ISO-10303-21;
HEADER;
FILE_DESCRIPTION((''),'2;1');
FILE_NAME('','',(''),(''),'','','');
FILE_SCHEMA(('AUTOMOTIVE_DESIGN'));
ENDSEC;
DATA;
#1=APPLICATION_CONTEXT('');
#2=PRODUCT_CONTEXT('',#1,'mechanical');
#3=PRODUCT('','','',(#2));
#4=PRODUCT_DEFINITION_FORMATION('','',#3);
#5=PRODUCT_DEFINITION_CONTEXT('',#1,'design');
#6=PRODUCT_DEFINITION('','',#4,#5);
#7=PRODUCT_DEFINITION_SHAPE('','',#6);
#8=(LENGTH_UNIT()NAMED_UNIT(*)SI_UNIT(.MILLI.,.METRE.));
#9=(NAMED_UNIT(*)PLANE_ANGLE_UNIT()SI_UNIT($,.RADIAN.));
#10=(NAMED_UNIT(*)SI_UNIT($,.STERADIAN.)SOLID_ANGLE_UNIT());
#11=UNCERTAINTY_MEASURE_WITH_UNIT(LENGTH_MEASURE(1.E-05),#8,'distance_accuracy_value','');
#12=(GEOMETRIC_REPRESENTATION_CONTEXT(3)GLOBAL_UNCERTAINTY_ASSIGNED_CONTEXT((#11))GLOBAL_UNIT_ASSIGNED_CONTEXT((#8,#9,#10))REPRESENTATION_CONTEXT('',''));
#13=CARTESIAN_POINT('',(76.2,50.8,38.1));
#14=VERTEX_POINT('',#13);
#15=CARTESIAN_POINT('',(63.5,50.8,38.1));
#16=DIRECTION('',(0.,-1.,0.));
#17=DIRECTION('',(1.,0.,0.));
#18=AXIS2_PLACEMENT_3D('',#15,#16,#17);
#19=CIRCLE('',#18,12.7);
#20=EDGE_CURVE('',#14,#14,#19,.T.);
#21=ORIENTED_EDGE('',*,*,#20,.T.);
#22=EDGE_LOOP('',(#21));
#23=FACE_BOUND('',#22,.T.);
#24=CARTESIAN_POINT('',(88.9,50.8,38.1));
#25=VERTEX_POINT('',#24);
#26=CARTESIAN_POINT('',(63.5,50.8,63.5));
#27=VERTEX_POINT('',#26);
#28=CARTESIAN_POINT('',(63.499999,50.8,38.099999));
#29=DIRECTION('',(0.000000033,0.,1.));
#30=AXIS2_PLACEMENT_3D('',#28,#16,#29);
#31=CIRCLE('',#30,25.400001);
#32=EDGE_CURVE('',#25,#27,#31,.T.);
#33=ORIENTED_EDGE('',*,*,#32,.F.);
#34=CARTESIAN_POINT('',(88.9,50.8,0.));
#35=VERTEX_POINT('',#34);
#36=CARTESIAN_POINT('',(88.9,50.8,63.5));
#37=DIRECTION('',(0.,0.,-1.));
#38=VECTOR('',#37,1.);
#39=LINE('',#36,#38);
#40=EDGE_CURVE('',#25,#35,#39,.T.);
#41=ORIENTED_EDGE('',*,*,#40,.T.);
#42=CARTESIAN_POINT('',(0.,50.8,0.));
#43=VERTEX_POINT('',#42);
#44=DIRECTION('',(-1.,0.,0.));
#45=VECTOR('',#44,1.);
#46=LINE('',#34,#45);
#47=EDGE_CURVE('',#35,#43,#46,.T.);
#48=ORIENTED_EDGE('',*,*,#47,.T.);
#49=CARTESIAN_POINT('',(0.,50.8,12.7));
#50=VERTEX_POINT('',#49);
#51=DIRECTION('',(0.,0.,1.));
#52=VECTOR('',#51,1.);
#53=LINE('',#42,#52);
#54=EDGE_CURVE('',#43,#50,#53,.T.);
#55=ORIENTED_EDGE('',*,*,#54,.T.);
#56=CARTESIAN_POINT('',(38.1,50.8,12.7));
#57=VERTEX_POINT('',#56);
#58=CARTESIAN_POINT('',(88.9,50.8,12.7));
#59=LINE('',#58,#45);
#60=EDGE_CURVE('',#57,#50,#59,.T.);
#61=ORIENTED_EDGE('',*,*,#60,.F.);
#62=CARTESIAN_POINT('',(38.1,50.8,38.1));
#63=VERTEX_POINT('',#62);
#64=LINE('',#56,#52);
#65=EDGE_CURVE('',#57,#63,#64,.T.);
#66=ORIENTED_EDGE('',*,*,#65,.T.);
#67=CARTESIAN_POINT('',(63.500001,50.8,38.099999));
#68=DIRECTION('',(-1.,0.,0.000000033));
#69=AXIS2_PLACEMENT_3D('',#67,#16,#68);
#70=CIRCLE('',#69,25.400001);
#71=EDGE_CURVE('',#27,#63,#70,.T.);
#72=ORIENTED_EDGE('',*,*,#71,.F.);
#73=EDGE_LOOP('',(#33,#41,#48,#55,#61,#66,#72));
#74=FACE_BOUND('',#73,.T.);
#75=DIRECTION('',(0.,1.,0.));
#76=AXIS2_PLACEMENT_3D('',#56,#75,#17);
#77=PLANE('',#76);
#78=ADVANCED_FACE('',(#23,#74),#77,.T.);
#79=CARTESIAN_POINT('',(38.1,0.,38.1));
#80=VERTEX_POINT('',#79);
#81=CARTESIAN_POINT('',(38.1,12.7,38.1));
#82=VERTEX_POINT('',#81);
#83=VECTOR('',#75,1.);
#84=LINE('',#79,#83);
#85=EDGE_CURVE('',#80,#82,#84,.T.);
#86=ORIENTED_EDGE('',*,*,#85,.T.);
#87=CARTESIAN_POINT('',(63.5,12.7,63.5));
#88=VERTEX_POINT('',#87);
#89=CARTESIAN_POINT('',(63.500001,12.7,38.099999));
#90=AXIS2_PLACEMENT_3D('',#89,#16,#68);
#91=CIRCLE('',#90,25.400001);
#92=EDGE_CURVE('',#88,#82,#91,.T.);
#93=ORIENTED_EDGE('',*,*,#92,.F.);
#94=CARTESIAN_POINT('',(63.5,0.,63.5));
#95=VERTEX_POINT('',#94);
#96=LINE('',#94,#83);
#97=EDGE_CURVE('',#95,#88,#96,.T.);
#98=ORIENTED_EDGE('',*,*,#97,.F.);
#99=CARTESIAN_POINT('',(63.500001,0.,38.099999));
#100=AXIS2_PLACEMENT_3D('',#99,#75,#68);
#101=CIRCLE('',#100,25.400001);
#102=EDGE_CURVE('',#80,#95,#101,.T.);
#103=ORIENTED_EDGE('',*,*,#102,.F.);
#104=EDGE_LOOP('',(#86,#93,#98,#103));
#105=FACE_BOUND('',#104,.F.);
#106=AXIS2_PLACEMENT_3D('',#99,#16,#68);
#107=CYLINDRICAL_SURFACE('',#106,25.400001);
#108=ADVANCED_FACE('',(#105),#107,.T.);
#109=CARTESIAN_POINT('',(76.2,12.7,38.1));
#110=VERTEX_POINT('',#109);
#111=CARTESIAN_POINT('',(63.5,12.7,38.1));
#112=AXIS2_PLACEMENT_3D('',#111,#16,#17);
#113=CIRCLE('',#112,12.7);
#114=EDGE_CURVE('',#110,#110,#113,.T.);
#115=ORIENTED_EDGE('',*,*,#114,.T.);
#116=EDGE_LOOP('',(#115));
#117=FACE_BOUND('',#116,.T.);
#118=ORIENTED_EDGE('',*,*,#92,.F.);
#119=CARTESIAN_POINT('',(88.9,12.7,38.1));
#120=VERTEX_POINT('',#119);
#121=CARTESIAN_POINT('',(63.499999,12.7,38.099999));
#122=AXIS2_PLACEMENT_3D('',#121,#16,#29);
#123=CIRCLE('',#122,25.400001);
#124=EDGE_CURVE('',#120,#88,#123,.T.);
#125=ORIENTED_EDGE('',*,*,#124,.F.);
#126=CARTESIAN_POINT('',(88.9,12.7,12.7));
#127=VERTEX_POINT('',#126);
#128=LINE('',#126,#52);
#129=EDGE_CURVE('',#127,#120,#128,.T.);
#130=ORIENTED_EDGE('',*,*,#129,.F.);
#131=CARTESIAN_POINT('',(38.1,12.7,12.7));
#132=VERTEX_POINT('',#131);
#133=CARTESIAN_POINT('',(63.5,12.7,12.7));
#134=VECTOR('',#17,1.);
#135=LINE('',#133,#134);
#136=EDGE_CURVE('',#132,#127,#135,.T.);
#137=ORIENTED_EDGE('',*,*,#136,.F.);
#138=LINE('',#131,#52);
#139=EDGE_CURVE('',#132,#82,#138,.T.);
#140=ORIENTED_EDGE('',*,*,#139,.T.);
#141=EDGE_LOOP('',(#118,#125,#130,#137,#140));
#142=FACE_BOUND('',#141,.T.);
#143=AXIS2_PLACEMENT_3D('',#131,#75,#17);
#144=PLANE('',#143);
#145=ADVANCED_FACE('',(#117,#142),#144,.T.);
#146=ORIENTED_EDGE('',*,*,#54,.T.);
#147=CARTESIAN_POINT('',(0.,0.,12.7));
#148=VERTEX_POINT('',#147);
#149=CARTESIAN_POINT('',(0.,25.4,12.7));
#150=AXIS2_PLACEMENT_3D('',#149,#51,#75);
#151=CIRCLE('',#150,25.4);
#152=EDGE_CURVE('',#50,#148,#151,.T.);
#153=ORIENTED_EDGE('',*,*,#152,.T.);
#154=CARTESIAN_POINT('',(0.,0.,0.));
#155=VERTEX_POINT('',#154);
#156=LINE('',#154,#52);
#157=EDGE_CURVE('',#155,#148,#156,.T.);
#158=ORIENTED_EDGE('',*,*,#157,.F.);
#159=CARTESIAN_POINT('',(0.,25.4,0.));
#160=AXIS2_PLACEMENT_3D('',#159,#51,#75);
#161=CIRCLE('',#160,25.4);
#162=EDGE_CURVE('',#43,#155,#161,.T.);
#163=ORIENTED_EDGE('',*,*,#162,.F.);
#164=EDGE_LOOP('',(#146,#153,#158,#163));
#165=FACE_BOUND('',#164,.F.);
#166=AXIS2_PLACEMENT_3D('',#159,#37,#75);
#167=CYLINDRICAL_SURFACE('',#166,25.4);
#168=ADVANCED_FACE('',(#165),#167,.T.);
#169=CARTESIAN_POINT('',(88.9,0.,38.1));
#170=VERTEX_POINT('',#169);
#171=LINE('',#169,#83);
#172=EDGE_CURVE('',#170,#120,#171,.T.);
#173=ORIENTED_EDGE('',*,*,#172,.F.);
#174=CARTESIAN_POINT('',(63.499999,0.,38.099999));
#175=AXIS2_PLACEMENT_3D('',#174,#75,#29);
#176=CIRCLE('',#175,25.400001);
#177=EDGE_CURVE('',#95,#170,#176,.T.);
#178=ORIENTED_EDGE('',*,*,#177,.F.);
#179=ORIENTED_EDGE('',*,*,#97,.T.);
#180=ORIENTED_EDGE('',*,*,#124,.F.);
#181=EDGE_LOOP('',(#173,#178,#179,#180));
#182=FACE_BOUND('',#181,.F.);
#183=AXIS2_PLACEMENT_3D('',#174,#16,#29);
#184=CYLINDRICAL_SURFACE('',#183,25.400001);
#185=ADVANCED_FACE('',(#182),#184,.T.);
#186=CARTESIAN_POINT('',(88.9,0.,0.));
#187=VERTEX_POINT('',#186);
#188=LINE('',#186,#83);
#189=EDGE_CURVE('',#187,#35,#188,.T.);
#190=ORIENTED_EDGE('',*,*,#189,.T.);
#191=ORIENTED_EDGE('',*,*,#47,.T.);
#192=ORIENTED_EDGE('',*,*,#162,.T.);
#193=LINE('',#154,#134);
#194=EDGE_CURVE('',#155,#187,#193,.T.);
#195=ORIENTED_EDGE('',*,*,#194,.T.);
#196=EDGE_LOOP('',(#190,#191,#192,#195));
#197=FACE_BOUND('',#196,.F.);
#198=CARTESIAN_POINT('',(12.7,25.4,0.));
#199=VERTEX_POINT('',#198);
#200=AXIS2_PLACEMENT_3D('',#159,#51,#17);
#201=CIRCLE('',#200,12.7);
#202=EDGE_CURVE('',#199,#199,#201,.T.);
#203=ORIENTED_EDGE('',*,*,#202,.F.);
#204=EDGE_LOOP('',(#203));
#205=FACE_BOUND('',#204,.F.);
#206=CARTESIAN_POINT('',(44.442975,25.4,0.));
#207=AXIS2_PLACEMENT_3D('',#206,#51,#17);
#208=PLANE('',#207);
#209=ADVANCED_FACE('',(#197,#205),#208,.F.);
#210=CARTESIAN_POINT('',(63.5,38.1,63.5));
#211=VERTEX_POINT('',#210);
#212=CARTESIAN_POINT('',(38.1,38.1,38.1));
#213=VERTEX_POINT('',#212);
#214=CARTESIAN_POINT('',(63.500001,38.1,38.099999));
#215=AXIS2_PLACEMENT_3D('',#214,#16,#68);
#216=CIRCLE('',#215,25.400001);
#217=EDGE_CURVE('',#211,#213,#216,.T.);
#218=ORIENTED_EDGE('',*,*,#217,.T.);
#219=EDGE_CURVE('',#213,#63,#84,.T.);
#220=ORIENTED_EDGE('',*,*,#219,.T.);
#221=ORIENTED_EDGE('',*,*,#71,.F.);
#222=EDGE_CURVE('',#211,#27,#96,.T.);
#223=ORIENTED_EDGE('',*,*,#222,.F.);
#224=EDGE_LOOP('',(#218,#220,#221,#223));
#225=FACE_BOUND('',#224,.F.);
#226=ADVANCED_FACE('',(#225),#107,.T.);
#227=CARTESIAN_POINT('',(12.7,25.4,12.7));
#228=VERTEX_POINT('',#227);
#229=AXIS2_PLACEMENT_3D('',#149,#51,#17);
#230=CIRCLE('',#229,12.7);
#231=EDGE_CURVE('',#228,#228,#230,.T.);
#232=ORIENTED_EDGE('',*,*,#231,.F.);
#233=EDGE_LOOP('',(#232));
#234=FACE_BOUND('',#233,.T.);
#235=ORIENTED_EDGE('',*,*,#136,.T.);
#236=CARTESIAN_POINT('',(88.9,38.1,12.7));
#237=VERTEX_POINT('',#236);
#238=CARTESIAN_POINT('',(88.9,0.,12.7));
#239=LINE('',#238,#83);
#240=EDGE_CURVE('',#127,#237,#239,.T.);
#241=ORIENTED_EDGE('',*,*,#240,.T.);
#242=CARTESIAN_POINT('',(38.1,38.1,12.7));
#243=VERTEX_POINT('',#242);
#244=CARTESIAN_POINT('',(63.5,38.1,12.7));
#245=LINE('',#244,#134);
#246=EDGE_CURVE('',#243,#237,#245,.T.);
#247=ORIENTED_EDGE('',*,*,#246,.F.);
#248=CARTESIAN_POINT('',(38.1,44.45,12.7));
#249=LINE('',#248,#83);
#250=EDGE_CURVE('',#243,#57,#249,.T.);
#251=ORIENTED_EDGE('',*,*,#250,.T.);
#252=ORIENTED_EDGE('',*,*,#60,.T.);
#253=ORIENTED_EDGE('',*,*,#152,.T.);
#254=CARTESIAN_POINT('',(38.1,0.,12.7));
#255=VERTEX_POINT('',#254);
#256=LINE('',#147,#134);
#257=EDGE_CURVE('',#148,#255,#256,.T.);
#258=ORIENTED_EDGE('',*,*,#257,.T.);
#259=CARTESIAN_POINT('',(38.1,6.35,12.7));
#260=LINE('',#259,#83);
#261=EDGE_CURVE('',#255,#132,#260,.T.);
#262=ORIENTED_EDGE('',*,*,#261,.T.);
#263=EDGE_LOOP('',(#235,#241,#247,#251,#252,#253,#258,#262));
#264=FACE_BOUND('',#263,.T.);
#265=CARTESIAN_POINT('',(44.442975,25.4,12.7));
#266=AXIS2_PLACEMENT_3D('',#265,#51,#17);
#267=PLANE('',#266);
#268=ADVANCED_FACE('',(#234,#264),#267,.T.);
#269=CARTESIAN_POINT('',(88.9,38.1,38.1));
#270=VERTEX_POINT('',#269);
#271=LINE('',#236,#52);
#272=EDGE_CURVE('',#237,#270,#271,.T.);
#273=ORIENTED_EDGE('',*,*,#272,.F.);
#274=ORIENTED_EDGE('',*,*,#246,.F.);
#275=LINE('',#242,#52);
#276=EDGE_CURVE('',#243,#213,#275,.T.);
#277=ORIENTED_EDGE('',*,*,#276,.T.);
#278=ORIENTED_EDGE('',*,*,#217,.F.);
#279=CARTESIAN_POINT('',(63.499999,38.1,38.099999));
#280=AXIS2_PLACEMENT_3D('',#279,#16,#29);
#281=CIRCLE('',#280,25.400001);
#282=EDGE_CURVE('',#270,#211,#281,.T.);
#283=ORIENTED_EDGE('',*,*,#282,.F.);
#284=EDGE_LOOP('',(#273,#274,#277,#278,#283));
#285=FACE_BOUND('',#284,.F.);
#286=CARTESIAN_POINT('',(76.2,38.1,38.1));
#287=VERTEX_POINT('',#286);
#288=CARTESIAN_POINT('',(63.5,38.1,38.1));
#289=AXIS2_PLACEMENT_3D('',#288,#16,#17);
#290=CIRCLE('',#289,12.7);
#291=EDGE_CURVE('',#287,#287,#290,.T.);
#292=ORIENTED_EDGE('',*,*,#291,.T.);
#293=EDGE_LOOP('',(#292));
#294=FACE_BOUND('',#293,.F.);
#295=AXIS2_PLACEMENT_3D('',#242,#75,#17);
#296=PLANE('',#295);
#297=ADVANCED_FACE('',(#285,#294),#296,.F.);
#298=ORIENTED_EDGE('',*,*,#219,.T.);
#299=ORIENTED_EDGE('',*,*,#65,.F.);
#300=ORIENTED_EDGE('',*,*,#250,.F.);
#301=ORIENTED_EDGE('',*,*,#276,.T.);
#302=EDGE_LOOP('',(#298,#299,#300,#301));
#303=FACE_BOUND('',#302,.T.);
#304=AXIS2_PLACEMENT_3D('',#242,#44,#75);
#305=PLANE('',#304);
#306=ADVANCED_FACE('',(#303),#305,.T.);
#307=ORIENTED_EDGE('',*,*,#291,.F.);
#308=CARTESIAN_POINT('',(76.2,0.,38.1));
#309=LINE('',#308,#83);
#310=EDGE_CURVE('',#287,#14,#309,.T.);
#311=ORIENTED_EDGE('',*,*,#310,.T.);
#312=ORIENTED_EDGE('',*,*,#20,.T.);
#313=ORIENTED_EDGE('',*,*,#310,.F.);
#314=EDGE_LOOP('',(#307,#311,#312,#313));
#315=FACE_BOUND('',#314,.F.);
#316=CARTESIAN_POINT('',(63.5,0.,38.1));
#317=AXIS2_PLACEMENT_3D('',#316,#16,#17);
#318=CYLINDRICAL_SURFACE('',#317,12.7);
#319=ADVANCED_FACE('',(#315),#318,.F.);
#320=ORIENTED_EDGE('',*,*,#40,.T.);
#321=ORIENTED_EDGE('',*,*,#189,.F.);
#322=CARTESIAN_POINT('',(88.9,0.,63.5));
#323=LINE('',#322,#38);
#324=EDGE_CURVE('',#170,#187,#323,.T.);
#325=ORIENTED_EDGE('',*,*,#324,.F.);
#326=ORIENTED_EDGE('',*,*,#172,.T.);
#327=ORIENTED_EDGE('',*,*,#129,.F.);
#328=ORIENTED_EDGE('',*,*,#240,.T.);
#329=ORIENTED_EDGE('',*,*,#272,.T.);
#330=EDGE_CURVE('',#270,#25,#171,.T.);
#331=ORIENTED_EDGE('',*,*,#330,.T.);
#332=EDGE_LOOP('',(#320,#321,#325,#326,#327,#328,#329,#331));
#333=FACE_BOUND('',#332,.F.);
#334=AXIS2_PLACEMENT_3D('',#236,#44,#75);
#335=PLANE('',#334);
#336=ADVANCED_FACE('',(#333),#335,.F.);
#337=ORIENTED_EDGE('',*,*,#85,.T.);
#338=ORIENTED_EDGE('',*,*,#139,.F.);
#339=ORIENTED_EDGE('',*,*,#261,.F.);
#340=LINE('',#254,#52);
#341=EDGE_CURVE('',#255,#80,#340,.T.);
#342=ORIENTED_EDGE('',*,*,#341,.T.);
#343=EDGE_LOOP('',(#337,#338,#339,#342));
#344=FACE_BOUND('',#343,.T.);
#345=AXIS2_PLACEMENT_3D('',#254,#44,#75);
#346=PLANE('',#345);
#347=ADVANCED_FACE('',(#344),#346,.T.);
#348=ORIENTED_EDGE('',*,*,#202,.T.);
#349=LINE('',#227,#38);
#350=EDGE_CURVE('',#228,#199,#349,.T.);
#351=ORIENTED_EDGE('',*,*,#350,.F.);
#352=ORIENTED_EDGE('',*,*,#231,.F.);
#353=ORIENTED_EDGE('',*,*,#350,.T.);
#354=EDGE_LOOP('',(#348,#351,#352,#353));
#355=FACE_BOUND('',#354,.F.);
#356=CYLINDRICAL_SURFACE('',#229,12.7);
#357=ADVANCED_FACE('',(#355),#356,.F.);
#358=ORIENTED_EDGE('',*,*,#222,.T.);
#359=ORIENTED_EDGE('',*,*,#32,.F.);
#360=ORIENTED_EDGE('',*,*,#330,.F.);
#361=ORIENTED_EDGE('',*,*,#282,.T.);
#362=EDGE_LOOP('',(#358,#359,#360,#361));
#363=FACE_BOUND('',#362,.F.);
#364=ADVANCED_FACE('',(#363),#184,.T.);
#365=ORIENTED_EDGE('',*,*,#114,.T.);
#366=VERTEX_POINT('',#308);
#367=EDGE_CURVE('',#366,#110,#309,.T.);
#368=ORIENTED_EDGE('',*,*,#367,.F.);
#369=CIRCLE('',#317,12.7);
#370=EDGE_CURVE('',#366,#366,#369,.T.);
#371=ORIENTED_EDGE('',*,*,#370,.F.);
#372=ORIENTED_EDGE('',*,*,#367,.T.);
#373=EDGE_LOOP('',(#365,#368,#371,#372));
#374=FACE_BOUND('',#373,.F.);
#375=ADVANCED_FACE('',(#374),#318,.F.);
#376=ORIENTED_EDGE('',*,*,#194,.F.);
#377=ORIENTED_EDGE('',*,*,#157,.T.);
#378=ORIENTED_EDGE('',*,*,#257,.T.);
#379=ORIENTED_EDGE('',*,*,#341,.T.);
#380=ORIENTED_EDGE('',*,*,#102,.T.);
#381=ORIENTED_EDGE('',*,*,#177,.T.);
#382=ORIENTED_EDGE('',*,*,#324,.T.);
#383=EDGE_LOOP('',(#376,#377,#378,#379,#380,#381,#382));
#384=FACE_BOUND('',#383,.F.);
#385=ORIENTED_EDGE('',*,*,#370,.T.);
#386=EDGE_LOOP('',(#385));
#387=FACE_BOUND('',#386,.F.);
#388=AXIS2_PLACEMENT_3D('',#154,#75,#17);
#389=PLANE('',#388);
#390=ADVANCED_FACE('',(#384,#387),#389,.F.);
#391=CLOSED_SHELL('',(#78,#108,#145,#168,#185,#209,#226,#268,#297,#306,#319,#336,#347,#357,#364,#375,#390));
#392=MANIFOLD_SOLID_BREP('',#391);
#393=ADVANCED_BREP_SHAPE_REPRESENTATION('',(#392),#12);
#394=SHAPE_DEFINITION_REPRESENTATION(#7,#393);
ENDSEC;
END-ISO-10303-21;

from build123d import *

# Parameters (mm, degrees)
F1_DEPTH = 12.7
F2_R     = 12.7
F3_DEPTH = 12.701
F4_W     = 50.8
F4_H     = 12.7
F5_DEPTH = 50.8
F6_R     = 12.7
F7_DEPTH = 50.801


with BuildPart() as f1:
    # F0 (on Top) → F1 (new body)
    with BuildSketch(Plane.XY):
        with BuildLine():
            ThreePointArc((25.4, 25.4), (17.960512, 7.439488), (0, 0))
            Line((0, 0), (88.9, 0))
            Line((88.9, 0), (88.9, 50.8))
            Line((88.9, 50.8), (0, 50.8))
            ThreePointArc((0, 50.8), (17.960512, 43.360512), (25.4, 25.4))
        make_face()
        with BuildLine():
            Line((0, 50.8), (0, 0))
            ThreePointArc((0, 0), (17.960512, 7.439488), (25.4, 25.4))
            ThreePointArc((25.4, 25.4), (17.960512, 43.360512), (0, 50.8))
        make_face()
        with BuildLine():
            ThreePointArc((0, 50.8), (-25.4, 25.4), (0, 0))
            Line((0, 0), (0, 50.8))
        make_face()
    extrude(amount=F1_DEPTH)

    # F2 (on face) → F3 (cut, through all)
    with BuildSketch(Plane.XY.offset(12.7)):
        with Locations((0, 25.4)):
            Circle(F2_R)
    extrude(amount=-F3_DEPTH, mode=Mode.SUBTRACT)

    # F4 (on face) → F5 (join)
    with BuildSketch(Plane.XY.offset(12.7)):
        with Locations((63.5, 44.45)):
            Rectangle(F4_W, F4_H)
        with Locations((63.5, 6.35)):
            Rectangle(F4_W, F4_H)
    extrude(amount=F5_DEPTH)

    # F6 (on face) → F7 (cut, through all)
    with BuildSketch(Plane.XZ):
        with BuildLine():
            ThreePointArc((63.5, 63.5), (81.460512, 56.060512), (88.9, 38.1))
            Line((88.9, 38.1), (88.9, 63.5))
            Line((88.9, 63.5), (63.5, 63.5))
        make_face()
        with BuildLine():
            ThreePointArc((38.1, 38.1), (45.539488, 56.060512), (63.5, 63.5))
            Line((63.5, 63.5), (38.1, 63.5))
            Line((38.1, 63.5), (38.1, 38.1))
        make_face()
        with Locations((63.5, 38.1)):
            Circle(F6_R)
    extrude(amount=-F7_DEPTH, mode=Mode.SUBTRACT)


solid = f1.part
